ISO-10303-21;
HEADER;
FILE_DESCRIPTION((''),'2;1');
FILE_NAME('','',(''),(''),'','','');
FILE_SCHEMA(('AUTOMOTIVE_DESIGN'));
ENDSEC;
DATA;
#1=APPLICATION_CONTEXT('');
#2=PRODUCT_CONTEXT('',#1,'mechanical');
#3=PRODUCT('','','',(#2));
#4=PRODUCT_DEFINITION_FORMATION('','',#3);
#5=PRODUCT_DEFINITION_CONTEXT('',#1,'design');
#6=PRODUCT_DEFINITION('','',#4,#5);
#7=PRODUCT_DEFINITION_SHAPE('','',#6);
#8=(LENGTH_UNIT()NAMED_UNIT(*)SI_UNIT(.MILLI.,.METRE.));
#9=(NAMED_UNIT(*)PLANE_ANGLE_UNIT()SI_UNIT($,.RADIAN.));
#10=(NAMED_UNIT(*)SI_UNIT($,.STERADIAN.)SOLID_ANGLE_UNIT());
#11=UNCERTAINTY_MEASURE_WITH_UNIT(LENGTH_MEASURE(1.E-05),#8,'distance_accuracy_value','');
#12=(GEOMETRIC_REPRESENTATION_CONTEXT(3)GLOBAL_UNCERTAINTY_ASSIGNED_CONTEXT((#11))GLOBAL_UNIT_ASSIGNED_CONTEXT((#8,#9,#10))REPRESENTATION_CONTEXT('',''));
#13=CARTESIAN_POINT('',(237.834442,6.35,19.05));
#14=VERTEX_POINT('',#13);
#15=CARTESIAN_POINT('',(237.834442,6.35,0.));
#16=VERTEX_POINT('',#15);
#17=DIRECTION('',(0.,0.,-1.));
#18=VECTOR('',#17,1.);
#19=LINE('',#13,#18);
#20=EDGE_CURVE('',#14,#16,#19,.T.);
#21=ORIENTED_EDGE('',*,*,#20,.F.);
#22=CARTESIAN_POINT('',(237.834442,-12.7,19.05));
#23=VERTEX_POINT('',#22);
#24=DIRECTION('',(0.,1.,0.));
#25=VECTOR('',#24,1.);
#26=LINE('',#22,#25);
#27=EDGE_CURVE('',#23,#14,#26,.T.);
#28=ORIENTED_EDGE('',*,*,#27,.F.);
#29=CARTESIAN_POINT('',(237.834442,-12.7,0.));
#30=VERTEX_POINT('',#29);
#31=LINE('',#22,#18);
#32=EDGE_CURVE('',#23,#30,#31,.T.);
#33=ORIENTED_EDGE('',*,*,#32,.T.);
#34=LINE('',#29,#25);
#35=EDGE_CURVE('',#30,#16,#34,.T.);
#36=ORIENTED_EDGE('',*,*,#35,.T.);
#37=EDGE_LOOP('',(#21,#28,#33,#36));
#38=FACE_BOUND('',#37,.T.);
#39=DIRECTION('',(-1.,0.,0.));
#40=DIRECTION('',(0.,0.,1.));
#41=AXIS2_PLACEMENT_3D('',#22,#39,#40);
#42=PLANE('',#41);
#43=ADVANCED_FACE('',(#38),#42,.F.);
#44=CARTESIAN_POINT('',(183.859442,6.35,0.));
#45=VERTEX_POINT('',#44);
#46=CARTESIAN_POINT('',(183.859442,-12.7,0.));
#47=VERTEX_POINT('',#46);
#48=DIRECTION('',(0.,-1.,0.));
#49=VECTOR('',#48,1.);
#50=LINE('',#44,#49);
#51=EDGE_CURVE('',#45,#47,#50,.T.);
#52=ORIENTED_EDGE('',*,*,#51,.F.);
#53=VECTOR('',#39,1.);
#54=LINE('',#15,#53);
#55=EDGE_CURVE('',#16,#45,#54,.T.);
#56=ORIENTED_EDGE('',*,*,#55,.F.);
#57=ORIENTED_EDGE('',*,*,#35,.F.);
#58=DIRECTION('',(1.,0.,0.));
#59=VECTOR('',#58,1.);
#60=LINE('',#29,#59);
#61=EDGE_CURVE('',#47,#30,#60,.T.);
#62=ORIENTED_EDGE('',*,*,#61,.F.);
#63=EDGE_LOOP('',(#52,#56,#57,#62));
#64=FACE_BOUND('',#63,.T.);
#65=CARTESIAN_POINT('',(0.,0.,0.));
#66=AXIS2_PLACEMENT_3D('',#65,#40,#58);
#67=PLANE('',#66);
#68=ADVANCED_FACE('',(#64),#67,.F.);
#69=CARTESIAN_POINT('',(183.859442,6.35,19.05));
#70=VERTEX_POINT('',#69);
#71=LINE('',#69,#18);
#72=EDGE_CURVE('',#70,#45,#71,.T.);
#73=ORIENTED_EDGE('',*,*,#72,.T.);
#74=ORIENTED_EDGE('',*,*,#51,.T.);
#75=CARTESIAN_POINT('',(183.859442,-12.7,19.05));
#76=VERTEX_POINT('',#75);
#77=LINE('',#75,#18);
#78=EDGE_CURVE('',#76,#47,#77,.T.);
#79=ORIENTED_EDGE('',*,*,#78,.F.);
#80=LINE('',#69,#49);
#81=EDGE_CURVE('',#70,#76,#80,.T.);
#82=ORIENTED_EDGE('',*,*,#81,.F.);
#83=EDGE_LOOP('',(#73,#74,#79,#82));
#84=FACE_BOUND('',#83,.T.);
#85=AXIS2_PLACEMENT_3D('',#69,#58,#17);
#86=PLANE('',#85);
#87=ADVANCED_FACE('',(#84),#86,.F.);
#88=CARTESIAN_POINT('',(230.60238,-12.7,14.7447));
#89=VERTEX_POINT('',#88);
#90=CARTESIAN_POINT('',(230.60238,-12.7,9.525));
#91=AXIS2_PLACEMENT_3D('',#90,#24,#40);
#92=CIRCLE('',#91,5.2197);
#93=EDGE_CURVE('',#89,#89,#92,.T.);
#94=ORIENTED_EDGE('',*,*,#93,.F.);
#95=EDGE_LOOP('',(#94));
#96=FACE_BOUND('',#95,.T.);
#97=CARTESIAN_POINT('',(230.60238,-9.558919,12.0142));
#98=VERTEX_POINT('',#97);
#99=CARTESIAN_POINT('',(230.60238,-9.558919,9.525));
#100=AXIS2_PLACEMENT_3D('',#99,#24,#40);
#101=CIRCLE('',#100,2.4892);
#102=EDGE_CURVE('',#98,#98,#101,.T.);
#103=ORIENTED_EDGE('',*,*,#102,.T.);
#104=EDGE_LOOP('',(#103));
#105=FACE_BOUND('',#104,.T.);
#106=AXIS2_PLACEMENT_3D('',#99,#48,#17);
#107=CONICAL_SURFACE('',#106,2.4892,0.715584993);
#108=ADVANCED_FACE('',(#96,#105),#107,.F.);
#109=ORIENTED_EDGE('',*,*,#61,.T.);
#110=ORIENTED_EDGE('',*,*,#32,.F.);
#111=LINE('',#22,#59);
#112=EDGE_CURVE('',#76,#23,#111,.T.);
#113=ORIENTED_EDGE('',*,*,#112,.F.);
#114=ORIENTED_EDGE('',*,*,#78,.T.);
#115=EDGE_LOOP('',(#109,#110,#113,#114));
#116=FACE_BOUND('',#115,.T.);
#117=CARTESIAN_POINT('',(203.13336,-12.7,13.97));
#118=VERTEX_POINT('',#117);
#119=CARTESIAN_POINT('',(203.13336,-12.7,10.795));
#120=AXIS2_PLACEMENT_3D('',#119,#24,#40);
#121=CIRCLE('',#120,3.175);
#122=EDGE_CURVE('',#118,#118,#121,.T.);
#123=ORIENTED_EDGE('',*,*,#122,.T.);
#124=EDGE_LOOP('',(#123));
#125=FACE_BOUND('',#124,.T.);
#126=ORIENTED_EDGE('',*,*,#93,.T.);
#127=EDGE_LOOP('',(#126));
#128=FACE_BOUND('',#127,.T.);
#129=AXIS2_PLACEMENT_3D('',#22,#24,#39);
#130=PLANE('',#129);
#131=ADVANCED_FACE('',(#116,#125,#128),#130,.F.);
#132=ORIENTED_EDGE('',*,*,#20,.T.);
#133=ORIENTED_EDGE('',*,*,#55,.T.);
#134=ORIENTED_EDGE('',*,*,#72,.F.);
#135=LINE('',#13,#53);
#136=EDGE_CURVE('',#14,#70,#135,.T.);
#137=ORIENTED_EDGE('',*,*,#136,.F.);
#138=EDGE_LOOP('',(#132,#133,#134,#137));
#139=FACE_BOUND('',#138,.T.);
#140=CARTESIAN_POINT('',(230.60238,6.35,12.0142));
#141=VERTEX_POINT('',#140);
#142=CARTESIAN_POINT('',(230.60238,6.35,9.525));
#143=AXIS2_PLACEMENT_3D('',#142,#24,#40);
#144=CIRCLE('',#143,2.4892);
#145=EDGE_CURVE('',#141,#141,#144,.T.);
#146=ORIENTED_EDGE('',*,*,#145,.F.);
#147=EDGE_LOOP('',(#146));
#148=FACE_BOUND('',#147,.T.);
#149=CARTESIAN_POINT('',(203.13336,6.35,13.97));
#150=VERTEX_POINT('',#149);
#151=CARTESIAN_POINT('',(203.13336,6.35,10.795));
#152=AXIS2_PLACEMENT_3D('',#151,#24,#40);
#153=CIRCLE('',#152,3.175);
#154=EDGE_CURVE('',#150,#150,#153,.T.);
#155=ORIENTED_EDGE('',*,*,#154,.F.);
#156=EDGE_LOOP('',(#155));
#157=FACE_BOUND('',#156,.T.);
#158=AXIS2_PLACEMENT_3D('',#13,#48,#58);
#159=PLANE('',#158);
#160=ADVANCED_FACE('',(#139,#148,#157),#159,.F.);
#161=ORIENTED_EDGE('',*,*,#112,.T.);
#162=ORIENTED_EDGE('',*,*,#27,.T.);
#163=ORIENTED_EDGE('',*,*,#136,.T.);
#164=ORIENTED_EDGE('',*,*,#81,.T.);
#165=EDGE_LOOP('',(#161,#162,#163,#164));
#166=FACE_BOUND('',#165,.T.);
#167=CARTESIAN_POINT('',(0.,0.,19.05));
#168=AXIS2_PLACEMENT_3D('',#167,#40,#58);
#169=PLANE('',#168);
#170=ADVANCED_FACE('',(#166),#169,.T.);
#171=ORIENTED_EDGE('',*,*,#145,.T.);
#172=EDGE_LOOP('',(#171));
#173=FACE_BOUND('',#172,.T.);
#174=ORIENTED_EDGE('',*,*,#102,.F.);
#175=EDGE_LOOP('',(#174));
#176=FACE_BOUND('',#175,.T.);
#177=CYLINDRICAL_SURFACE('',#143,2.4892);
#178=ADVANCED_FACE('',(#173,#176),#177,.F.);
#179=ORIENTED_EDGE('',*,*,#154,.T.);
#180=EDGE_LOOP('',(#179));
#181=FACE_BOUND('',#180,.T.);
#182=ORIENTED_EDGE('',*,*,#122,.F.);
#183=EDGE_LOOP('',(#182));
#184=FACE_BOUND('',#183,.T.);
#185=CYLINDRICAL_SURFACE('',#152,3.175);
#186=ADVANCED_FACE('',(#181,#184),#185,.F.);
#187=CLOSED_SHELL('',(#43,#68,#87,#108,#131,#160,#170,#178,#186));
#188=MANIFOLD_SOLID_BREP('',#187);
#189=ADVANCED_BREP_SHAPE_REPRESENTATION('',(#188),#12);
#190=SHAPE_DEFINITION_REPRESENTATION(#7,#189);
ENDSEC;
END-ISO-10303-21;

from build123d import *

# Parameters (mm, degrees)
SKETCH2_W                   = 53.975
SKETCH2_H                   = 19.05
BOSS_EXTRUDE1_DEPTH         = 19.05
F_1_4_0_25_DIAMETER_HOLE1_D = 6.35


with BuildPart() as part:
    # Sketch2 → Boss-Extrude1 (new body)
    with BuildSketch(Plane.XY):
        with Locations((210.84694204, -3.175)):
            Rectangle(SKETCH2_W, SKETCH2_H)
    extrude(amount=BOSS_EXTRUDE1_DEPTH)

    # 1/4 (0.25) Diameter Hole1 (through all)
    with Locations(Plane(origin=(0, 6.35, 0), x_dir=(1, 0, 0), z_dir=(0, 1, 0))):
        with Locations((203.133359856, -10.795)):
            Hole(F_1_4_0_25_DIAMETER_HOLE1_D / 2)

    # Sketch10 → #10 Clearance Hole1 (revolve, cut)
    with BuildSketch(Plane(origin=(230.602380141, 6.35, 9.525), x_dir=(0, 0, 1), z_dir=(1, 0, 0))):
        Polygon((0, 0), (0, 19.05), (5.2197, 19.05), (2.4892, 15.908919064), (2.4892, 0), align=None)
    revolve(axis=Axis((230.602380141, 12.7, 9.525), (0, -1, 0)), mode=Mode.SUBTRACT)


solid = part.part
